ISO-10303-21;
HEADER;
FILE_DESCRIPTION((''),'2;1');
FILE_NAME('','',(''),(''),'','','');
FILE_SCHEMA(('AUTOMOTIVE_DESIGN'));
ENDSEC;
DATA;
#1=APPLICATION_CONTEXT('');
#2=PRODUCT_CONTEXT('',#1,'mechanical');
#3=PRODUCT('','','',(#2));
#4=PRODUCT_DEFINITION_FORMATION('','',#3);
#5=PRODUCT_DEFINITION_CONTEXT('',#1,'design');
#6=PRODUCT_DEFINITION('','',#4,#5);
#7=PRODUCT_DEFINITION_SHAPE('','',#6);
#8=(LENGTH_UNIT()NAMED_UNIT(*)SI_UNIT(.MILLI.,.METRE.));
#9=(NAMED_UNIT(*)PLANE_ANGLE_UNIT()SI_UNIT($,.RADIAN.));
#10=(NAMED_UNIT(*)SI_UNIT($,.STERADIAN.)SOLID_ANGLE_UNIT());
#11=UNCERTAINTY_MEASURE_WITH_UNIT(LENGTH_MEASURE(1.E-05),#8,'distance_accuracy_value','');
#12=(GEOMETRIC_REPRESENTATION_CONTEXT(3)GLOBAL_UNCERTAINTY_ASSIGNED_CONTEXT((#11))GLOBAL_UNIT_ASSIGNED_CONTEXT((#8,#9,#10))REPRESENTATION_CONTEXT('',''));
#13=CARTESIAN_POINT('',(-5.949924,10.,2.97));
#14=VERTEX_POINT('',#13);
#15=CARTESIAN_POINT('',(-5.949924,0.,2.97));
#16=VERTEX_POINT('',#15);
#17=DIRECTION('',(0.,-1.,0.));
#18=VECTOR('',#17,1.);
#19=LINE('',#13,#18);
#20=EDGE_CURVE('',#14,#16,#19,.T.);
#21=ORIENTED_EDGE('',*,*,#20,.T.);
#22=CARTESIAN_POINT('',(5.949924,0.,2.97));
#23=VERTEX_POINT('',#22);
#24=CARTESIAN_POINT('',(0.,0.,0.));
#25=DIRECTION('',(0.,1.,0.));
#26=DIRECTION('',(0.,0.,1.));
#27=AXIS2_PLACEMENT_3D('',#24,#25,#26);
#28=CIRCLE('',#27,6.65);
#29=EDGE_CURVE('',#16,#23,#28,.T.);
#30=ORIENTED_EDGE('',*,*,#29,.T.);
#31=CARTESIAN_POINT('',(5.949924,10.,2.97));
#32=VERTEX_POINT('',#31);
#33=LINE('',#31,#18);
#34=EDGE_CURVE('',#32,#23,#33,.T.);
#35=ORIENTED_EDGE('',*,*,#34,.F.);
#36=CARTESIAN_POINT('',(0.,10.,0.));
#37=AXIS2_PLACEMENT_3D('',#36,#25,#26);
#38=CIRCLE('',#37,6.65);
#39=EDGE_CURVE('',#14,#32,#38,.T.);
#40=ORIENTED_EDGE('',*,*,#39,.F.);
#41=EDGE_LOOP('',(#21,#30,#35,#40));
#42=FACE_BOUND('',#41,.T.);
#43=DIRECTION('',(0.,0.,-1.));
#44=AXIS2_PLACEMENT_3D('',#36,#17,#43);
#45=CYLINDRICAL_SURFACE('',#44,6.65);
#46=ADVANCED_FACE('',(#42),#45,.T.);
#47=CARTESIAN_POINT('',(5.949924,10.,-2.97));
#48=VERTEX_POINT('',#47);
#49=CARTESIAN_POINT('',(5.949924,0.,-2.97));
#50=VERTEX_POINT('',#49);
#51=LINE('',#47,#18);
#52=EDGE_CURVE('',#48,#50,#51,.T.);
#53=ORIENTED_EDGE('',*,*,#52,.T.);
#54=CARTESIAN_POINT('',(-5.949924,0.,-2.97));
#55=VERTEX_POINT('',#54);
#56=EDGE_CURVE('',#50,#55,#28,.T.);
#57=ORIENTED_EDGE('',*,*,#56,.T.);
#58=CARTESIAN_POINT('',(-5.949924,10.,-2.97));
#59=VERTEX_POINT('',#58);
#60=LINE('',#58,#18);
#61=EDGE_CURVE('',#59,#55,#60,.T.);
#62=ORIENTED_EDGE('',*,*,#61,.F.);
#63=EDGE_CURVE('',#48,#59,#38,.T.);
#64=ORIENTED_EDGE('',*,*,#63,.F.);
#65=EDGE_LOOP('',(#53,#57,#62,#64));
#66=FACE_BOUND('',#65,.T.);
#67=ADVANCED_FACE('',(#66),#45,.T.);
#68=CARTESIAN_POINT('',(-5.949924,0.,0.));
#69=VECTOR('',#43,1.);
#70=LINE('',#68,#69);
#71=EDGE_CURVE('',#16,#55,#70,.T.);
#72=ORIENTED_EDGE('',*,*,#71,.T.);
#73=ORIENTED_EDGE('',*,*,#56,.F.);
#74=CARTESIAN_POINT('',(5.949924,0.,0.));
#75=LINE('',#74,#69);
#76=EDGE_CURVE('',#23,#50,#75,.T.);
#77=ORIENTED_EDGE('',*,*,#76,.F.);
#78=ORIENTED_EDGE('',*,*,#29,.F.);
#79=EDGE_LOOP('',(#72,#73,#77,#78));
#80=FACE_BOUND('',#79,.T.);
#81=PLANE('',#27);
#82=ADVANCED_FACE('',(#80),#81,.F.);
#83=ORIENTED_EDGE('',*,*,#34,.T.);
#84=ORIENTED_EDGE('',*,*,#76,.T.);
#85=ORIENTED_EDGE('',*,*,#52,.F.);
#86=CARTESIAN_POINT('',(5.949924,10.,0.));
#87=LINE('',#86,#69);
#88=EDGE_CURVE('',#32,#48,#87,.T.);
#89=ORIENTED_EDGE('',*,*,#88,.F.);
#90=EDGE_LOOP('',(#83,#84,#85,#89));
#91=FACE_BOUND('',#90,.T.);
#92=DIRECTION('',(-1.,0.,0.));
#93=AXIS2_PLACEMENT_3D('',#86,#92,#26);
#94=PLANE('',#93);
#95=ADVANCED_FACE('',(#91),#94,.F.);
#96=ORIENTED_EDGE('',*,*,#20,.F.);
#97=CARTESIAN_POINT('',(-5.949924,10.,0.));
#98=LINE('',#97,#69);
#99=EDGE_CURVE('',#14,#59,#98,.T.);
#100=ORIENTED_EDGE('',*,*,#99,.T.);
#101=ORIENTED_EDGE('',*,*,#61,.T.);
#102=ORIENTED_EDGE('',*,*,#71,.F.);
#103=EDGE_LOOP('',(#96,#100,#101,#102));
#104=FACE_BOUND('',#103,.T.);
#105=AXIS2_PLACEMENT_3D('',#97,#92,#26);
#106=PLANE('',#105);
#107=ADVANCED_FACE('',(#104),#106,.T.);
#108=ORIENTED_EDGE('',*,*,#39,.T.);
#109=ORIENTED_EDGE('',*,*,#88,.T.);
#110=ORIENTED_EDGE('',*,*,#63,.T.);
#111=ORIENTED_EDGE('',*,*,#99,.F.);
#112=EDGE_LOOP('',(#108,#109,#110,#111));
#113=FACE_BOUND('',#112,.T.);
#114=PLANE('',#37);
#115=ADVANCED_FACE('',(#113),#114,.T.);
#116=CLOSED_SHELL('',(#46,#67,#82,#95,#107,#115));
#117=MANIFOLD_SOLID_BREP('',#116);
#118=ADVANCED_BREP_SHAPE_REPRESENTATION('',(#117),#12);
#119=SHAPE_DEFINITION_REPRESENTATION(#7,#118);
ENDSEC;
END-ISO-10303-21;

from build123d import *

# Parameters (mm, degrees)
BOSS_EXTRUDE1_DEPTH = 10


with BuildPart() as part:
    # Sketch1 → Boss-Extrude1 (new body)
    with BuildSketch(Plane(origin=(0, 0, 0), x_dir=(1, 0, 0), z_dir=(0, 1, 0))):
        with BuildLine():
            Line((-5.949924369, 2.97), (-5.949924369, -2.97))
            ThreePointArc((-5.949924369, -2.97), (0, -6.65), (5.949924369, -2.97))
            Line((5.949924369, -2.97), (5.949924369, 2.97))
            ThreePointArc((5.949924369, 2.97), (0, 6.65), (-5.949924369, 2.97))
        make_face()
    extrude(amount=BOSS_EXTRUDE1_DEPTH)


solid = part.part
